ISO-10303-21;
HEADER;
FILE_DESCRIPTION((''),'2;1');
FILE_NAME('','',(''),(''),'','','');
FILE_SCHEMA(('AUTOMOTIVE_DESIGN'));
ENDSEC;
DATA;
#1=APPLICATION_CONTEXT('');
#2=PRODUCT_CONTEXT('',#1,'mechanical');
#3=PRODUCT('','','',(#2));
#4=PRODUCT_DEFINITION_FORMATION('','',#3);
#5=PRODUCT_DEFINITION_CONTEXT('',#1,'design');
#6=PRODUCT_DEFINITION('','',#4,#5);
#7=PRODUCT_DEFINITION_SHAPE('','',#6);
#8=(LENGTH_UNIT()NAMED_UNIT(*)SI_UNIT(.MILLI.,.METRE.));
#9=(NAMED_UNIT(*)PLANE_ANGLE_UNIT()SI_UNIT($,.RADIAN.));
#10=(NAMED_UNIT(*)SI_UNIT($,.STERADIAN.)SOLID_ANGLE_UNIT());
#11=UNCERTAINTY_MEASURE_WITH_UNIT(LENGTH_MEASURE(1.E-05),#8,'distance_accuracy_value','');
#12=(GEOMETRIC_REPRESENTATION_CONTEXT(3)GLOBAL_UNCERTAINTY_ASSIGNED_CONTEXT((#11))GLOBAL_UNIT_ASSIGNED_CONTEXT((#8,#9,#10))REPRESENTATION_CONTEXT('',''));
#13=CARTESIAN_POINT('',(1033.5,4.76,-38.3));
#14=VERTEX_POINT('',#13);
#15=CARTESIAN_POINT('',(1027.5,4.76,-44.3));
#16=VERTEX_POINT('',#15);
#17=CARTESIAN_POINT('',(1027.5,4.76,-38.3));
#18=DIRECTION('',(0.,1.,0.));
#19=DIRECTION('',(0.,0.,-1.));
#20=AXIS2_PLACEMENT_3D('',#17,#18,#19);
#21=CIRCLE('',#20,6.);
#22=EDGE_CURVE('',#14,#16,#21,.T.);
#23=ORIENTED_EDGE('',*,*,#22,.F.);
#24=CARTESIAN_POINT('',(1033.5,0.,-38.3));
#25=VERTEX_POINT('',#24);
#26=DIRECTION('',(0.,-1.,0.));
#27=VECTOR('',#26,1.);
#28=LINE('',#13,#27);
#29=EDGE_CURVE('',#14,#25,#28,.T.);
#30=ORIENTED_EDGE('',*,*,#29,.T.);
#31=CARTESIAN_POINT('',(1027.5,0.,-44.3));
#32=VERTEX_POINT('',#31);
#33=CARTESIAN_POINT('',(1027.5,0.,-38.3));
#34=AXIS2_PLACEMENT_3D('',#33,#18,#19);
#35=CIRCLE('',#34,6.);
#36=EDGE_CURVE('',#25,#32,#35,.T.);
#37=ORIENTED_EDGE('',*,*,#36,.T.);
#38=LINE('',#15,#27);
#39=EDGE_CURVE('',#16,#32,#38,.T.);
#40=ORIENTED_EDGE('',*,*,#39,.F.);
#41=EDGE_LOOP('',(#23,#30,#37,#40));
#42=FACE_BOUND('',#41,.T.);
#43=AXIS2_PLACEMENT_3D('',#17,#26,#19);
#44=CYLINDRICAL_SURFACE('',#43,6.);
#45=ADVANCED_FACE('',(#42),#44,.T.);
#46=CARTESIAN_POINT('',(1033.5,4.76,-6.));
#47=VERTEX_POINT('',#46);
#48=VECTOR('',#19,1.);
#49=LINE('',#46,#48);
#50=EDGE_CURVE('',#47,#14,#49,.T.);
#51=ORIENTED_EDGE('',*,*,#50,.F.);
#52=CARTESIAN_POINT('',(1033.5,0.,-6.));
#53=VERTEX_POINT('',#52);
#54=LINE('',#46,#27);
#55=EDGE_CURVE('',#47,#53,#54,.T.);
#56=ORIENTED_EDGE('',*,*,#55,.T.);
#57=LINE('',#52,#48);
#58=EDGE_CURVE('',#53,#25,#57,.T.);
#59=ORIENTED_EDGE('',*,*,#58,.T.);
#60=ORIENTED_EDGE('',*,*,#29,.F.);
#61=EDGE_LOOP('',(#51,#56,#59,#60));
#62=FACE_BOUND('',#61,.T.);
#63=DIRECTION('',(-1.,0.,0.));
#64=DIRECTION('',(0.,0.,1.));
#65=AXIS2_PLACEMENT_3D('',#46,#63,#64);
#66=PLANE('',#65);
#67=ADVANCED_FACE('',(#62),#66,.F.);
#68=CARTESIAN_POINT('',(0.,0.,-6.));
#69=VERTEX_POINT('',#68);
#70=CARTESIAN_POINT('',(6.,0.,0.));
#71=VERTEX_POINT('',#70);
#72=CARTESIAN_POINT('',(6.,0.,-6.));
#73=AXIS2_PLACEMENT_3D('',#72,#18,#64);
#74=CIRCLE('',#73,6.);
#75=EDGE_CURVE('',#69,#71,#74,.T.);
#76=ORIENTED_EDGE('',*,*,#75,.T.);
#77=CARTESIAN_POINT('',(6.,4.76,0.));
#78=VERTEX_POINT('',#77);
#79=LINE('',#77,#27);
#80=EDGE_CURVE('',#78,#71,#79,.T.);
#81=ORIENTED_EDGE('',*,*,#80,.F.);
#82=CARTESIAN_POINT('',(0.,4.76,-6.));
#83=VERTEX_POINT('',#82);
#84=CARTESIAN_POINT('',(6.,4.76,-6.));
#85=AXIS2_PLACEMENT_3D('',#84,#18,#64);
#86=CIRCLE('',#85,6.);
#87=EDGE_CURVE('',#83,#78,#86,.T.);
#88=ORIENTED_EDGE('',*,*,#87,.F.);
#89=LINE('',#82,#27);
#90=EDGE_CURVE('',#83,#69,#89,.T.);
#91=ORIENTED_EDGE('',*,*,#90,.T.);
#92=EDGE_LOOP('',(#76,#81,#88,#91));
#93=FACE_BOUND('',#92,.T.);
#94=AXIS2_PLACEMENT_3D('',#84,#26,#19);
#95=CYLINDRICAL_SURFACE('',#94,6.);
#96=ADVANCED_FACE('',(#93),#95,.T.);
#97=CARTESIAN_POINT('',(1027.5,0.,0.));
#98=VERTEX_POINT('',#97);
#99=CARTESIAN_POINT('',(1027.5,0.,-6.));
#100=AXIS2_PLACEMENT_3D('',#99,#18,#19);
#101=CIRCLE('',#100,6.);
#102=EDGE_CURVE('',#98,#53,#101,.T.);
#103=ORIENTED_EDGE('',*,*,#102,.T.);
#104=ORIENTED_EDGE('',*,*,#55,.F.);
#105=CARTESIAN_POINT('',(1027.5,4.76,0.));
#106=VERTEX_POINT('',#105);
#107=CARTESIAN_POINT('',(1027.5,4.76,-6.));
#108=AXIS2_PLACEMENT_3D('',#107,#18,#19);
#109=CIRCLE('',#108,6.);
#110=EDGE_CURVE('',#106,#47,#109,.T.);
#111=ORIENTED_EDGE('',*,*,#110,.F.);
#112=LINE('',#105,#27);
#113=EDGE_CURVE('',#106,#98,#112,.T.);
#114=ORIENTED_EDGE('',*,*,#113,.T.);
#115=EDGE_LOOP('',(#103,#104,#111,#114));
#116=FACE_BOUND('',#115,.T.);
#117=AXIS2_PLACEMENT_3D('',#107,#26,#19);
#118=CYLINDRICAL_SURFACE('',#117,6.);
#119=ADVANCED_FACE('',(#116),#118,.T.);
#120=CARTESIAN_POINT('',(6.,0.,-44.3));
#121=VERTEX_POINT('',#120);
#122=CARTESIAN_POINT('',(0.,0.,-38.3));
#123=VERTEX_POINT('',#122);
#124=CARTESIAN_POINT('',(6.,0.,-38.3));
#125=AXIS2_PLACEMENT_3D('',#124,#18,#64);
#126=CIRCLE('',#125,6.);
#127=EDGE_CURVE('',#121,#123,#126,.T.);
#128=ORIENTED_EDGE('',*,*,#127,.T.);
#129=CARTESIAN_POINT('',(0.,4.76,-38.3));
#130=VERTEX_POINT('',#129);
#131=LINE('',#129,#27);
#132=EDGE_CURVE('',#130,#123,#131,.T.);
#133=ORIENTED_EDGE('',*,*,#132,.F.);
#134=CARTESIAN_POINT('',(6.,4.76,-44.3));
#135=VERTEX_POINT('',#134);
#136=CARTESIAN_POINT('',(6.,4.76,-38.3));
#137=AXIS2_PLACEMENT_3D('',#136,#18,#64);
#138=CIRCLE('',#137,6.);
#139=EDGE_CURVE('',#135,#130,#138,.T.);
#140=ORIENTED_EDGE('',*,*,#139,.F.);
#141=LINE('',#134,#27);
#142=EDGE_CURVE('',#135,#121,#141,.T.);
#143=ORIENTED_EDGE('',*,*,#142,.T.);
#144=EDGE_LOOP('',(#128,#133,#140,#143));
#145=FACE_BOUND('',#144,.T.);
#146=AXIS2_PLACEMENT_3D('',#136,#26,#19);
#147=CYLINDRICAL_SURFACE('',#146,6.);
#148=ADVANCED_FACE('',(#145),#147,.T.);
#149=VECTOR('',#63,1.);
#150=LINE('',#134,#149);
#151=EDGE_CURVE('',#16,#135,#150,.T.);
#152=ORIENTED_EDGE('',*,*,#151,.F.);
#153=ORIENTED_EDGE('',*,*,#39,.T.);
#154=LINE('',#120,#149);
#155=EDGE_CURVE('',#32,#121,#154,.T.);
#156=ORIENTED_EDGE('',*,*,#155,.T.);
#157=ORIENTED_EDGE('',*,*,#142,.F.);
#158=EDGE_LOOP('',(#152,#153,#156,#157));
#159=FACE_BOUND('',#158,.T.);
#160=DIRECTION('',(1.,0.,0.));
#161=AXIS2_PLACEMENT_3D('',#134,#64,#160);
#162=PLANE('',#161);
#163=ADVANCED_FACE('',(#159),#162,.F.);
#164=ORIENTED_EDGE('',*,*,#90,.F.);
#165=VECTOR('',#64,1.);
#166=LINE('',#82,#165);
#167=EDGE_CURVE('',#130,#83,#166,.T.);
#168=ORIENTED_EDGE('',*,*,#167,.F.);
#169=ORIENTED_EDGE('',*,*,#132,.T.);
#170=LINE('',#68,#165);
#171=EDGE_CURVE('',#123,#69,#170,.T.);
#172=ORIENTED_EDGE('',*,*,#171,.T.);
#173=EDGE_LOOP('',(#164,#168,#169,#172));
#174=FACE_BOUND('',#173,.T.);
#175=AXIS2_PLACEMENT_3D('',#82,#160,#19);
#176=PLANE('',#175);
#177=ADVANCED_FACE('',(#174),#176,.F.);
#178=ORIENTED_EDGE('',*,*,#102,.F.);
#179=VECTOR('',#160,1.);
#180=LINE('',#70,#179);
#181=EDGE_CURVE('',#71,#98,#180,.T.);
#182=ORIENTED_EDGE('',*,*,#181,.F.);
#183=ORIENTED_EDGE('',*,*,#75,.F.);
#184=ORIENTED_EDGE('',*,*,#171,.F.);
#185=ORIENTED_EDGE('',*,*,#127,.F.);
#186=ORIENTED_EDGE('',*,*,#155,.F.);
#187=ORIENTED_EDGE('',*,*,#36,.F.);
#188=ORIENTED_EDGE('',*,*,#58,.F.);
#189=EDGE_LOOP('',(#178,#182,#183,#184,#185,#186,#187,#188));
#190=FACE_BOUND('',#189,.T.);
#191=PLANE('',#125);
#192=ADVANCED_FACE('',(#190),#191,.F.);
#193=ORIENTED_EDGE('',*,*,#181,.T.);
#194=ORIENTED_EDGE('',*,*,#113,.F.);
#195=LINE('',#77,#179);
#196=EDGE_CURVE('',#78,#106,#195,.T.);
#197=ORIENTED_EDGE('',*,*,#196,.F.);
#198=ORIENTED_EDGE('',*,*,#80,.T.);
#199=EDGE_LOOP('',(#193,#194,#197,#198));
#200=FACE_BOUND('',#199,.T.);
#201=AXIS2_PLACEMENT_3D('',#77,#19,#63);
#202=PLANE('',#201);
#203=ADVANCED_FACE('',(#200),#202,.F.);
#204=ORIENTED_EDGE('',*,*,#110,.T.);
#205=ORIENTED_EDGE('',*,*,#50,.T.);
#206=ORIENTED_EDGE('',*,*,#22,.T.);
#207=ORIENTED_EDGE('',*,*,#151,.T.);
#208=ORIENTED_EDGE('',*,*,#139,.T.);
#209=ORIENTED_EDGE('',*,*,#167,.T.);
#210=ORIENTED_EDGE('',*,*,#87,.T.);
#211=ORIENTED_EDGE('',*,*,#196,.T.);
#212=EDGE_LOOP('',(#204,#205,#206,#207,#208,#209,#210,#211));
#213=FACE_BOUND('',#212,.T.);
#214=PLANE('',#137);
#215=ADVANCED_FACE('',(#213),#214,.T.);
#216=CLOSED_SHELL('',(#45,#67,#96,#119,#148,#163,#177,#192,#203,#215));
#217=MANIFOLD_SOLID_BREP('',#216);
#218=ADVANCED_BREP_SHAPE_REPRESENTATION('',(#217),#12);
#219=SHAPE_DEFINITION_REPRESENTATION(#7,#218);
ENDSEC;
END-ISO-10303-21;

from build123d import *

# Parameters (mm, degrees)
BOSS_EXTRUDE1_DEPTH = 4.76


with BuildPart() as part:
    # Sketch1 → Boss-Extrude1 (new body)
    with BuildSketch(Plane(origin=(0, 0, 0), x_dir=(1, 0, 0), z_dir=(0, 1, 0))):
        with BuildLine():
            Line((6, 0), (1027.5, 0))
            ThreePointArc((1027.5, 0), (1031.742640687, 1.757359313), (1033.5, 6))
            Line((1033.5, 6), (1033.5, 38.3))
            ThreePointArc((1033.5, 38.3), (1031.742640687, 42.542640687), (1027.5, 44.3))
            Line((1027.5, 44.3), (6, 44.3))
            ThreePointArc((6, 44.3), (1.757359313, 42.542640687), (0, 38.3))
            Line((0, 38.3), (0, 6))
            ThreePointArc((0, 6), (1.757359313, 1.757359313), (6, 0))
        make_face()
    extrude(amount=BOSS_EXTRUDE1_DEPTH)


solid = part.part
